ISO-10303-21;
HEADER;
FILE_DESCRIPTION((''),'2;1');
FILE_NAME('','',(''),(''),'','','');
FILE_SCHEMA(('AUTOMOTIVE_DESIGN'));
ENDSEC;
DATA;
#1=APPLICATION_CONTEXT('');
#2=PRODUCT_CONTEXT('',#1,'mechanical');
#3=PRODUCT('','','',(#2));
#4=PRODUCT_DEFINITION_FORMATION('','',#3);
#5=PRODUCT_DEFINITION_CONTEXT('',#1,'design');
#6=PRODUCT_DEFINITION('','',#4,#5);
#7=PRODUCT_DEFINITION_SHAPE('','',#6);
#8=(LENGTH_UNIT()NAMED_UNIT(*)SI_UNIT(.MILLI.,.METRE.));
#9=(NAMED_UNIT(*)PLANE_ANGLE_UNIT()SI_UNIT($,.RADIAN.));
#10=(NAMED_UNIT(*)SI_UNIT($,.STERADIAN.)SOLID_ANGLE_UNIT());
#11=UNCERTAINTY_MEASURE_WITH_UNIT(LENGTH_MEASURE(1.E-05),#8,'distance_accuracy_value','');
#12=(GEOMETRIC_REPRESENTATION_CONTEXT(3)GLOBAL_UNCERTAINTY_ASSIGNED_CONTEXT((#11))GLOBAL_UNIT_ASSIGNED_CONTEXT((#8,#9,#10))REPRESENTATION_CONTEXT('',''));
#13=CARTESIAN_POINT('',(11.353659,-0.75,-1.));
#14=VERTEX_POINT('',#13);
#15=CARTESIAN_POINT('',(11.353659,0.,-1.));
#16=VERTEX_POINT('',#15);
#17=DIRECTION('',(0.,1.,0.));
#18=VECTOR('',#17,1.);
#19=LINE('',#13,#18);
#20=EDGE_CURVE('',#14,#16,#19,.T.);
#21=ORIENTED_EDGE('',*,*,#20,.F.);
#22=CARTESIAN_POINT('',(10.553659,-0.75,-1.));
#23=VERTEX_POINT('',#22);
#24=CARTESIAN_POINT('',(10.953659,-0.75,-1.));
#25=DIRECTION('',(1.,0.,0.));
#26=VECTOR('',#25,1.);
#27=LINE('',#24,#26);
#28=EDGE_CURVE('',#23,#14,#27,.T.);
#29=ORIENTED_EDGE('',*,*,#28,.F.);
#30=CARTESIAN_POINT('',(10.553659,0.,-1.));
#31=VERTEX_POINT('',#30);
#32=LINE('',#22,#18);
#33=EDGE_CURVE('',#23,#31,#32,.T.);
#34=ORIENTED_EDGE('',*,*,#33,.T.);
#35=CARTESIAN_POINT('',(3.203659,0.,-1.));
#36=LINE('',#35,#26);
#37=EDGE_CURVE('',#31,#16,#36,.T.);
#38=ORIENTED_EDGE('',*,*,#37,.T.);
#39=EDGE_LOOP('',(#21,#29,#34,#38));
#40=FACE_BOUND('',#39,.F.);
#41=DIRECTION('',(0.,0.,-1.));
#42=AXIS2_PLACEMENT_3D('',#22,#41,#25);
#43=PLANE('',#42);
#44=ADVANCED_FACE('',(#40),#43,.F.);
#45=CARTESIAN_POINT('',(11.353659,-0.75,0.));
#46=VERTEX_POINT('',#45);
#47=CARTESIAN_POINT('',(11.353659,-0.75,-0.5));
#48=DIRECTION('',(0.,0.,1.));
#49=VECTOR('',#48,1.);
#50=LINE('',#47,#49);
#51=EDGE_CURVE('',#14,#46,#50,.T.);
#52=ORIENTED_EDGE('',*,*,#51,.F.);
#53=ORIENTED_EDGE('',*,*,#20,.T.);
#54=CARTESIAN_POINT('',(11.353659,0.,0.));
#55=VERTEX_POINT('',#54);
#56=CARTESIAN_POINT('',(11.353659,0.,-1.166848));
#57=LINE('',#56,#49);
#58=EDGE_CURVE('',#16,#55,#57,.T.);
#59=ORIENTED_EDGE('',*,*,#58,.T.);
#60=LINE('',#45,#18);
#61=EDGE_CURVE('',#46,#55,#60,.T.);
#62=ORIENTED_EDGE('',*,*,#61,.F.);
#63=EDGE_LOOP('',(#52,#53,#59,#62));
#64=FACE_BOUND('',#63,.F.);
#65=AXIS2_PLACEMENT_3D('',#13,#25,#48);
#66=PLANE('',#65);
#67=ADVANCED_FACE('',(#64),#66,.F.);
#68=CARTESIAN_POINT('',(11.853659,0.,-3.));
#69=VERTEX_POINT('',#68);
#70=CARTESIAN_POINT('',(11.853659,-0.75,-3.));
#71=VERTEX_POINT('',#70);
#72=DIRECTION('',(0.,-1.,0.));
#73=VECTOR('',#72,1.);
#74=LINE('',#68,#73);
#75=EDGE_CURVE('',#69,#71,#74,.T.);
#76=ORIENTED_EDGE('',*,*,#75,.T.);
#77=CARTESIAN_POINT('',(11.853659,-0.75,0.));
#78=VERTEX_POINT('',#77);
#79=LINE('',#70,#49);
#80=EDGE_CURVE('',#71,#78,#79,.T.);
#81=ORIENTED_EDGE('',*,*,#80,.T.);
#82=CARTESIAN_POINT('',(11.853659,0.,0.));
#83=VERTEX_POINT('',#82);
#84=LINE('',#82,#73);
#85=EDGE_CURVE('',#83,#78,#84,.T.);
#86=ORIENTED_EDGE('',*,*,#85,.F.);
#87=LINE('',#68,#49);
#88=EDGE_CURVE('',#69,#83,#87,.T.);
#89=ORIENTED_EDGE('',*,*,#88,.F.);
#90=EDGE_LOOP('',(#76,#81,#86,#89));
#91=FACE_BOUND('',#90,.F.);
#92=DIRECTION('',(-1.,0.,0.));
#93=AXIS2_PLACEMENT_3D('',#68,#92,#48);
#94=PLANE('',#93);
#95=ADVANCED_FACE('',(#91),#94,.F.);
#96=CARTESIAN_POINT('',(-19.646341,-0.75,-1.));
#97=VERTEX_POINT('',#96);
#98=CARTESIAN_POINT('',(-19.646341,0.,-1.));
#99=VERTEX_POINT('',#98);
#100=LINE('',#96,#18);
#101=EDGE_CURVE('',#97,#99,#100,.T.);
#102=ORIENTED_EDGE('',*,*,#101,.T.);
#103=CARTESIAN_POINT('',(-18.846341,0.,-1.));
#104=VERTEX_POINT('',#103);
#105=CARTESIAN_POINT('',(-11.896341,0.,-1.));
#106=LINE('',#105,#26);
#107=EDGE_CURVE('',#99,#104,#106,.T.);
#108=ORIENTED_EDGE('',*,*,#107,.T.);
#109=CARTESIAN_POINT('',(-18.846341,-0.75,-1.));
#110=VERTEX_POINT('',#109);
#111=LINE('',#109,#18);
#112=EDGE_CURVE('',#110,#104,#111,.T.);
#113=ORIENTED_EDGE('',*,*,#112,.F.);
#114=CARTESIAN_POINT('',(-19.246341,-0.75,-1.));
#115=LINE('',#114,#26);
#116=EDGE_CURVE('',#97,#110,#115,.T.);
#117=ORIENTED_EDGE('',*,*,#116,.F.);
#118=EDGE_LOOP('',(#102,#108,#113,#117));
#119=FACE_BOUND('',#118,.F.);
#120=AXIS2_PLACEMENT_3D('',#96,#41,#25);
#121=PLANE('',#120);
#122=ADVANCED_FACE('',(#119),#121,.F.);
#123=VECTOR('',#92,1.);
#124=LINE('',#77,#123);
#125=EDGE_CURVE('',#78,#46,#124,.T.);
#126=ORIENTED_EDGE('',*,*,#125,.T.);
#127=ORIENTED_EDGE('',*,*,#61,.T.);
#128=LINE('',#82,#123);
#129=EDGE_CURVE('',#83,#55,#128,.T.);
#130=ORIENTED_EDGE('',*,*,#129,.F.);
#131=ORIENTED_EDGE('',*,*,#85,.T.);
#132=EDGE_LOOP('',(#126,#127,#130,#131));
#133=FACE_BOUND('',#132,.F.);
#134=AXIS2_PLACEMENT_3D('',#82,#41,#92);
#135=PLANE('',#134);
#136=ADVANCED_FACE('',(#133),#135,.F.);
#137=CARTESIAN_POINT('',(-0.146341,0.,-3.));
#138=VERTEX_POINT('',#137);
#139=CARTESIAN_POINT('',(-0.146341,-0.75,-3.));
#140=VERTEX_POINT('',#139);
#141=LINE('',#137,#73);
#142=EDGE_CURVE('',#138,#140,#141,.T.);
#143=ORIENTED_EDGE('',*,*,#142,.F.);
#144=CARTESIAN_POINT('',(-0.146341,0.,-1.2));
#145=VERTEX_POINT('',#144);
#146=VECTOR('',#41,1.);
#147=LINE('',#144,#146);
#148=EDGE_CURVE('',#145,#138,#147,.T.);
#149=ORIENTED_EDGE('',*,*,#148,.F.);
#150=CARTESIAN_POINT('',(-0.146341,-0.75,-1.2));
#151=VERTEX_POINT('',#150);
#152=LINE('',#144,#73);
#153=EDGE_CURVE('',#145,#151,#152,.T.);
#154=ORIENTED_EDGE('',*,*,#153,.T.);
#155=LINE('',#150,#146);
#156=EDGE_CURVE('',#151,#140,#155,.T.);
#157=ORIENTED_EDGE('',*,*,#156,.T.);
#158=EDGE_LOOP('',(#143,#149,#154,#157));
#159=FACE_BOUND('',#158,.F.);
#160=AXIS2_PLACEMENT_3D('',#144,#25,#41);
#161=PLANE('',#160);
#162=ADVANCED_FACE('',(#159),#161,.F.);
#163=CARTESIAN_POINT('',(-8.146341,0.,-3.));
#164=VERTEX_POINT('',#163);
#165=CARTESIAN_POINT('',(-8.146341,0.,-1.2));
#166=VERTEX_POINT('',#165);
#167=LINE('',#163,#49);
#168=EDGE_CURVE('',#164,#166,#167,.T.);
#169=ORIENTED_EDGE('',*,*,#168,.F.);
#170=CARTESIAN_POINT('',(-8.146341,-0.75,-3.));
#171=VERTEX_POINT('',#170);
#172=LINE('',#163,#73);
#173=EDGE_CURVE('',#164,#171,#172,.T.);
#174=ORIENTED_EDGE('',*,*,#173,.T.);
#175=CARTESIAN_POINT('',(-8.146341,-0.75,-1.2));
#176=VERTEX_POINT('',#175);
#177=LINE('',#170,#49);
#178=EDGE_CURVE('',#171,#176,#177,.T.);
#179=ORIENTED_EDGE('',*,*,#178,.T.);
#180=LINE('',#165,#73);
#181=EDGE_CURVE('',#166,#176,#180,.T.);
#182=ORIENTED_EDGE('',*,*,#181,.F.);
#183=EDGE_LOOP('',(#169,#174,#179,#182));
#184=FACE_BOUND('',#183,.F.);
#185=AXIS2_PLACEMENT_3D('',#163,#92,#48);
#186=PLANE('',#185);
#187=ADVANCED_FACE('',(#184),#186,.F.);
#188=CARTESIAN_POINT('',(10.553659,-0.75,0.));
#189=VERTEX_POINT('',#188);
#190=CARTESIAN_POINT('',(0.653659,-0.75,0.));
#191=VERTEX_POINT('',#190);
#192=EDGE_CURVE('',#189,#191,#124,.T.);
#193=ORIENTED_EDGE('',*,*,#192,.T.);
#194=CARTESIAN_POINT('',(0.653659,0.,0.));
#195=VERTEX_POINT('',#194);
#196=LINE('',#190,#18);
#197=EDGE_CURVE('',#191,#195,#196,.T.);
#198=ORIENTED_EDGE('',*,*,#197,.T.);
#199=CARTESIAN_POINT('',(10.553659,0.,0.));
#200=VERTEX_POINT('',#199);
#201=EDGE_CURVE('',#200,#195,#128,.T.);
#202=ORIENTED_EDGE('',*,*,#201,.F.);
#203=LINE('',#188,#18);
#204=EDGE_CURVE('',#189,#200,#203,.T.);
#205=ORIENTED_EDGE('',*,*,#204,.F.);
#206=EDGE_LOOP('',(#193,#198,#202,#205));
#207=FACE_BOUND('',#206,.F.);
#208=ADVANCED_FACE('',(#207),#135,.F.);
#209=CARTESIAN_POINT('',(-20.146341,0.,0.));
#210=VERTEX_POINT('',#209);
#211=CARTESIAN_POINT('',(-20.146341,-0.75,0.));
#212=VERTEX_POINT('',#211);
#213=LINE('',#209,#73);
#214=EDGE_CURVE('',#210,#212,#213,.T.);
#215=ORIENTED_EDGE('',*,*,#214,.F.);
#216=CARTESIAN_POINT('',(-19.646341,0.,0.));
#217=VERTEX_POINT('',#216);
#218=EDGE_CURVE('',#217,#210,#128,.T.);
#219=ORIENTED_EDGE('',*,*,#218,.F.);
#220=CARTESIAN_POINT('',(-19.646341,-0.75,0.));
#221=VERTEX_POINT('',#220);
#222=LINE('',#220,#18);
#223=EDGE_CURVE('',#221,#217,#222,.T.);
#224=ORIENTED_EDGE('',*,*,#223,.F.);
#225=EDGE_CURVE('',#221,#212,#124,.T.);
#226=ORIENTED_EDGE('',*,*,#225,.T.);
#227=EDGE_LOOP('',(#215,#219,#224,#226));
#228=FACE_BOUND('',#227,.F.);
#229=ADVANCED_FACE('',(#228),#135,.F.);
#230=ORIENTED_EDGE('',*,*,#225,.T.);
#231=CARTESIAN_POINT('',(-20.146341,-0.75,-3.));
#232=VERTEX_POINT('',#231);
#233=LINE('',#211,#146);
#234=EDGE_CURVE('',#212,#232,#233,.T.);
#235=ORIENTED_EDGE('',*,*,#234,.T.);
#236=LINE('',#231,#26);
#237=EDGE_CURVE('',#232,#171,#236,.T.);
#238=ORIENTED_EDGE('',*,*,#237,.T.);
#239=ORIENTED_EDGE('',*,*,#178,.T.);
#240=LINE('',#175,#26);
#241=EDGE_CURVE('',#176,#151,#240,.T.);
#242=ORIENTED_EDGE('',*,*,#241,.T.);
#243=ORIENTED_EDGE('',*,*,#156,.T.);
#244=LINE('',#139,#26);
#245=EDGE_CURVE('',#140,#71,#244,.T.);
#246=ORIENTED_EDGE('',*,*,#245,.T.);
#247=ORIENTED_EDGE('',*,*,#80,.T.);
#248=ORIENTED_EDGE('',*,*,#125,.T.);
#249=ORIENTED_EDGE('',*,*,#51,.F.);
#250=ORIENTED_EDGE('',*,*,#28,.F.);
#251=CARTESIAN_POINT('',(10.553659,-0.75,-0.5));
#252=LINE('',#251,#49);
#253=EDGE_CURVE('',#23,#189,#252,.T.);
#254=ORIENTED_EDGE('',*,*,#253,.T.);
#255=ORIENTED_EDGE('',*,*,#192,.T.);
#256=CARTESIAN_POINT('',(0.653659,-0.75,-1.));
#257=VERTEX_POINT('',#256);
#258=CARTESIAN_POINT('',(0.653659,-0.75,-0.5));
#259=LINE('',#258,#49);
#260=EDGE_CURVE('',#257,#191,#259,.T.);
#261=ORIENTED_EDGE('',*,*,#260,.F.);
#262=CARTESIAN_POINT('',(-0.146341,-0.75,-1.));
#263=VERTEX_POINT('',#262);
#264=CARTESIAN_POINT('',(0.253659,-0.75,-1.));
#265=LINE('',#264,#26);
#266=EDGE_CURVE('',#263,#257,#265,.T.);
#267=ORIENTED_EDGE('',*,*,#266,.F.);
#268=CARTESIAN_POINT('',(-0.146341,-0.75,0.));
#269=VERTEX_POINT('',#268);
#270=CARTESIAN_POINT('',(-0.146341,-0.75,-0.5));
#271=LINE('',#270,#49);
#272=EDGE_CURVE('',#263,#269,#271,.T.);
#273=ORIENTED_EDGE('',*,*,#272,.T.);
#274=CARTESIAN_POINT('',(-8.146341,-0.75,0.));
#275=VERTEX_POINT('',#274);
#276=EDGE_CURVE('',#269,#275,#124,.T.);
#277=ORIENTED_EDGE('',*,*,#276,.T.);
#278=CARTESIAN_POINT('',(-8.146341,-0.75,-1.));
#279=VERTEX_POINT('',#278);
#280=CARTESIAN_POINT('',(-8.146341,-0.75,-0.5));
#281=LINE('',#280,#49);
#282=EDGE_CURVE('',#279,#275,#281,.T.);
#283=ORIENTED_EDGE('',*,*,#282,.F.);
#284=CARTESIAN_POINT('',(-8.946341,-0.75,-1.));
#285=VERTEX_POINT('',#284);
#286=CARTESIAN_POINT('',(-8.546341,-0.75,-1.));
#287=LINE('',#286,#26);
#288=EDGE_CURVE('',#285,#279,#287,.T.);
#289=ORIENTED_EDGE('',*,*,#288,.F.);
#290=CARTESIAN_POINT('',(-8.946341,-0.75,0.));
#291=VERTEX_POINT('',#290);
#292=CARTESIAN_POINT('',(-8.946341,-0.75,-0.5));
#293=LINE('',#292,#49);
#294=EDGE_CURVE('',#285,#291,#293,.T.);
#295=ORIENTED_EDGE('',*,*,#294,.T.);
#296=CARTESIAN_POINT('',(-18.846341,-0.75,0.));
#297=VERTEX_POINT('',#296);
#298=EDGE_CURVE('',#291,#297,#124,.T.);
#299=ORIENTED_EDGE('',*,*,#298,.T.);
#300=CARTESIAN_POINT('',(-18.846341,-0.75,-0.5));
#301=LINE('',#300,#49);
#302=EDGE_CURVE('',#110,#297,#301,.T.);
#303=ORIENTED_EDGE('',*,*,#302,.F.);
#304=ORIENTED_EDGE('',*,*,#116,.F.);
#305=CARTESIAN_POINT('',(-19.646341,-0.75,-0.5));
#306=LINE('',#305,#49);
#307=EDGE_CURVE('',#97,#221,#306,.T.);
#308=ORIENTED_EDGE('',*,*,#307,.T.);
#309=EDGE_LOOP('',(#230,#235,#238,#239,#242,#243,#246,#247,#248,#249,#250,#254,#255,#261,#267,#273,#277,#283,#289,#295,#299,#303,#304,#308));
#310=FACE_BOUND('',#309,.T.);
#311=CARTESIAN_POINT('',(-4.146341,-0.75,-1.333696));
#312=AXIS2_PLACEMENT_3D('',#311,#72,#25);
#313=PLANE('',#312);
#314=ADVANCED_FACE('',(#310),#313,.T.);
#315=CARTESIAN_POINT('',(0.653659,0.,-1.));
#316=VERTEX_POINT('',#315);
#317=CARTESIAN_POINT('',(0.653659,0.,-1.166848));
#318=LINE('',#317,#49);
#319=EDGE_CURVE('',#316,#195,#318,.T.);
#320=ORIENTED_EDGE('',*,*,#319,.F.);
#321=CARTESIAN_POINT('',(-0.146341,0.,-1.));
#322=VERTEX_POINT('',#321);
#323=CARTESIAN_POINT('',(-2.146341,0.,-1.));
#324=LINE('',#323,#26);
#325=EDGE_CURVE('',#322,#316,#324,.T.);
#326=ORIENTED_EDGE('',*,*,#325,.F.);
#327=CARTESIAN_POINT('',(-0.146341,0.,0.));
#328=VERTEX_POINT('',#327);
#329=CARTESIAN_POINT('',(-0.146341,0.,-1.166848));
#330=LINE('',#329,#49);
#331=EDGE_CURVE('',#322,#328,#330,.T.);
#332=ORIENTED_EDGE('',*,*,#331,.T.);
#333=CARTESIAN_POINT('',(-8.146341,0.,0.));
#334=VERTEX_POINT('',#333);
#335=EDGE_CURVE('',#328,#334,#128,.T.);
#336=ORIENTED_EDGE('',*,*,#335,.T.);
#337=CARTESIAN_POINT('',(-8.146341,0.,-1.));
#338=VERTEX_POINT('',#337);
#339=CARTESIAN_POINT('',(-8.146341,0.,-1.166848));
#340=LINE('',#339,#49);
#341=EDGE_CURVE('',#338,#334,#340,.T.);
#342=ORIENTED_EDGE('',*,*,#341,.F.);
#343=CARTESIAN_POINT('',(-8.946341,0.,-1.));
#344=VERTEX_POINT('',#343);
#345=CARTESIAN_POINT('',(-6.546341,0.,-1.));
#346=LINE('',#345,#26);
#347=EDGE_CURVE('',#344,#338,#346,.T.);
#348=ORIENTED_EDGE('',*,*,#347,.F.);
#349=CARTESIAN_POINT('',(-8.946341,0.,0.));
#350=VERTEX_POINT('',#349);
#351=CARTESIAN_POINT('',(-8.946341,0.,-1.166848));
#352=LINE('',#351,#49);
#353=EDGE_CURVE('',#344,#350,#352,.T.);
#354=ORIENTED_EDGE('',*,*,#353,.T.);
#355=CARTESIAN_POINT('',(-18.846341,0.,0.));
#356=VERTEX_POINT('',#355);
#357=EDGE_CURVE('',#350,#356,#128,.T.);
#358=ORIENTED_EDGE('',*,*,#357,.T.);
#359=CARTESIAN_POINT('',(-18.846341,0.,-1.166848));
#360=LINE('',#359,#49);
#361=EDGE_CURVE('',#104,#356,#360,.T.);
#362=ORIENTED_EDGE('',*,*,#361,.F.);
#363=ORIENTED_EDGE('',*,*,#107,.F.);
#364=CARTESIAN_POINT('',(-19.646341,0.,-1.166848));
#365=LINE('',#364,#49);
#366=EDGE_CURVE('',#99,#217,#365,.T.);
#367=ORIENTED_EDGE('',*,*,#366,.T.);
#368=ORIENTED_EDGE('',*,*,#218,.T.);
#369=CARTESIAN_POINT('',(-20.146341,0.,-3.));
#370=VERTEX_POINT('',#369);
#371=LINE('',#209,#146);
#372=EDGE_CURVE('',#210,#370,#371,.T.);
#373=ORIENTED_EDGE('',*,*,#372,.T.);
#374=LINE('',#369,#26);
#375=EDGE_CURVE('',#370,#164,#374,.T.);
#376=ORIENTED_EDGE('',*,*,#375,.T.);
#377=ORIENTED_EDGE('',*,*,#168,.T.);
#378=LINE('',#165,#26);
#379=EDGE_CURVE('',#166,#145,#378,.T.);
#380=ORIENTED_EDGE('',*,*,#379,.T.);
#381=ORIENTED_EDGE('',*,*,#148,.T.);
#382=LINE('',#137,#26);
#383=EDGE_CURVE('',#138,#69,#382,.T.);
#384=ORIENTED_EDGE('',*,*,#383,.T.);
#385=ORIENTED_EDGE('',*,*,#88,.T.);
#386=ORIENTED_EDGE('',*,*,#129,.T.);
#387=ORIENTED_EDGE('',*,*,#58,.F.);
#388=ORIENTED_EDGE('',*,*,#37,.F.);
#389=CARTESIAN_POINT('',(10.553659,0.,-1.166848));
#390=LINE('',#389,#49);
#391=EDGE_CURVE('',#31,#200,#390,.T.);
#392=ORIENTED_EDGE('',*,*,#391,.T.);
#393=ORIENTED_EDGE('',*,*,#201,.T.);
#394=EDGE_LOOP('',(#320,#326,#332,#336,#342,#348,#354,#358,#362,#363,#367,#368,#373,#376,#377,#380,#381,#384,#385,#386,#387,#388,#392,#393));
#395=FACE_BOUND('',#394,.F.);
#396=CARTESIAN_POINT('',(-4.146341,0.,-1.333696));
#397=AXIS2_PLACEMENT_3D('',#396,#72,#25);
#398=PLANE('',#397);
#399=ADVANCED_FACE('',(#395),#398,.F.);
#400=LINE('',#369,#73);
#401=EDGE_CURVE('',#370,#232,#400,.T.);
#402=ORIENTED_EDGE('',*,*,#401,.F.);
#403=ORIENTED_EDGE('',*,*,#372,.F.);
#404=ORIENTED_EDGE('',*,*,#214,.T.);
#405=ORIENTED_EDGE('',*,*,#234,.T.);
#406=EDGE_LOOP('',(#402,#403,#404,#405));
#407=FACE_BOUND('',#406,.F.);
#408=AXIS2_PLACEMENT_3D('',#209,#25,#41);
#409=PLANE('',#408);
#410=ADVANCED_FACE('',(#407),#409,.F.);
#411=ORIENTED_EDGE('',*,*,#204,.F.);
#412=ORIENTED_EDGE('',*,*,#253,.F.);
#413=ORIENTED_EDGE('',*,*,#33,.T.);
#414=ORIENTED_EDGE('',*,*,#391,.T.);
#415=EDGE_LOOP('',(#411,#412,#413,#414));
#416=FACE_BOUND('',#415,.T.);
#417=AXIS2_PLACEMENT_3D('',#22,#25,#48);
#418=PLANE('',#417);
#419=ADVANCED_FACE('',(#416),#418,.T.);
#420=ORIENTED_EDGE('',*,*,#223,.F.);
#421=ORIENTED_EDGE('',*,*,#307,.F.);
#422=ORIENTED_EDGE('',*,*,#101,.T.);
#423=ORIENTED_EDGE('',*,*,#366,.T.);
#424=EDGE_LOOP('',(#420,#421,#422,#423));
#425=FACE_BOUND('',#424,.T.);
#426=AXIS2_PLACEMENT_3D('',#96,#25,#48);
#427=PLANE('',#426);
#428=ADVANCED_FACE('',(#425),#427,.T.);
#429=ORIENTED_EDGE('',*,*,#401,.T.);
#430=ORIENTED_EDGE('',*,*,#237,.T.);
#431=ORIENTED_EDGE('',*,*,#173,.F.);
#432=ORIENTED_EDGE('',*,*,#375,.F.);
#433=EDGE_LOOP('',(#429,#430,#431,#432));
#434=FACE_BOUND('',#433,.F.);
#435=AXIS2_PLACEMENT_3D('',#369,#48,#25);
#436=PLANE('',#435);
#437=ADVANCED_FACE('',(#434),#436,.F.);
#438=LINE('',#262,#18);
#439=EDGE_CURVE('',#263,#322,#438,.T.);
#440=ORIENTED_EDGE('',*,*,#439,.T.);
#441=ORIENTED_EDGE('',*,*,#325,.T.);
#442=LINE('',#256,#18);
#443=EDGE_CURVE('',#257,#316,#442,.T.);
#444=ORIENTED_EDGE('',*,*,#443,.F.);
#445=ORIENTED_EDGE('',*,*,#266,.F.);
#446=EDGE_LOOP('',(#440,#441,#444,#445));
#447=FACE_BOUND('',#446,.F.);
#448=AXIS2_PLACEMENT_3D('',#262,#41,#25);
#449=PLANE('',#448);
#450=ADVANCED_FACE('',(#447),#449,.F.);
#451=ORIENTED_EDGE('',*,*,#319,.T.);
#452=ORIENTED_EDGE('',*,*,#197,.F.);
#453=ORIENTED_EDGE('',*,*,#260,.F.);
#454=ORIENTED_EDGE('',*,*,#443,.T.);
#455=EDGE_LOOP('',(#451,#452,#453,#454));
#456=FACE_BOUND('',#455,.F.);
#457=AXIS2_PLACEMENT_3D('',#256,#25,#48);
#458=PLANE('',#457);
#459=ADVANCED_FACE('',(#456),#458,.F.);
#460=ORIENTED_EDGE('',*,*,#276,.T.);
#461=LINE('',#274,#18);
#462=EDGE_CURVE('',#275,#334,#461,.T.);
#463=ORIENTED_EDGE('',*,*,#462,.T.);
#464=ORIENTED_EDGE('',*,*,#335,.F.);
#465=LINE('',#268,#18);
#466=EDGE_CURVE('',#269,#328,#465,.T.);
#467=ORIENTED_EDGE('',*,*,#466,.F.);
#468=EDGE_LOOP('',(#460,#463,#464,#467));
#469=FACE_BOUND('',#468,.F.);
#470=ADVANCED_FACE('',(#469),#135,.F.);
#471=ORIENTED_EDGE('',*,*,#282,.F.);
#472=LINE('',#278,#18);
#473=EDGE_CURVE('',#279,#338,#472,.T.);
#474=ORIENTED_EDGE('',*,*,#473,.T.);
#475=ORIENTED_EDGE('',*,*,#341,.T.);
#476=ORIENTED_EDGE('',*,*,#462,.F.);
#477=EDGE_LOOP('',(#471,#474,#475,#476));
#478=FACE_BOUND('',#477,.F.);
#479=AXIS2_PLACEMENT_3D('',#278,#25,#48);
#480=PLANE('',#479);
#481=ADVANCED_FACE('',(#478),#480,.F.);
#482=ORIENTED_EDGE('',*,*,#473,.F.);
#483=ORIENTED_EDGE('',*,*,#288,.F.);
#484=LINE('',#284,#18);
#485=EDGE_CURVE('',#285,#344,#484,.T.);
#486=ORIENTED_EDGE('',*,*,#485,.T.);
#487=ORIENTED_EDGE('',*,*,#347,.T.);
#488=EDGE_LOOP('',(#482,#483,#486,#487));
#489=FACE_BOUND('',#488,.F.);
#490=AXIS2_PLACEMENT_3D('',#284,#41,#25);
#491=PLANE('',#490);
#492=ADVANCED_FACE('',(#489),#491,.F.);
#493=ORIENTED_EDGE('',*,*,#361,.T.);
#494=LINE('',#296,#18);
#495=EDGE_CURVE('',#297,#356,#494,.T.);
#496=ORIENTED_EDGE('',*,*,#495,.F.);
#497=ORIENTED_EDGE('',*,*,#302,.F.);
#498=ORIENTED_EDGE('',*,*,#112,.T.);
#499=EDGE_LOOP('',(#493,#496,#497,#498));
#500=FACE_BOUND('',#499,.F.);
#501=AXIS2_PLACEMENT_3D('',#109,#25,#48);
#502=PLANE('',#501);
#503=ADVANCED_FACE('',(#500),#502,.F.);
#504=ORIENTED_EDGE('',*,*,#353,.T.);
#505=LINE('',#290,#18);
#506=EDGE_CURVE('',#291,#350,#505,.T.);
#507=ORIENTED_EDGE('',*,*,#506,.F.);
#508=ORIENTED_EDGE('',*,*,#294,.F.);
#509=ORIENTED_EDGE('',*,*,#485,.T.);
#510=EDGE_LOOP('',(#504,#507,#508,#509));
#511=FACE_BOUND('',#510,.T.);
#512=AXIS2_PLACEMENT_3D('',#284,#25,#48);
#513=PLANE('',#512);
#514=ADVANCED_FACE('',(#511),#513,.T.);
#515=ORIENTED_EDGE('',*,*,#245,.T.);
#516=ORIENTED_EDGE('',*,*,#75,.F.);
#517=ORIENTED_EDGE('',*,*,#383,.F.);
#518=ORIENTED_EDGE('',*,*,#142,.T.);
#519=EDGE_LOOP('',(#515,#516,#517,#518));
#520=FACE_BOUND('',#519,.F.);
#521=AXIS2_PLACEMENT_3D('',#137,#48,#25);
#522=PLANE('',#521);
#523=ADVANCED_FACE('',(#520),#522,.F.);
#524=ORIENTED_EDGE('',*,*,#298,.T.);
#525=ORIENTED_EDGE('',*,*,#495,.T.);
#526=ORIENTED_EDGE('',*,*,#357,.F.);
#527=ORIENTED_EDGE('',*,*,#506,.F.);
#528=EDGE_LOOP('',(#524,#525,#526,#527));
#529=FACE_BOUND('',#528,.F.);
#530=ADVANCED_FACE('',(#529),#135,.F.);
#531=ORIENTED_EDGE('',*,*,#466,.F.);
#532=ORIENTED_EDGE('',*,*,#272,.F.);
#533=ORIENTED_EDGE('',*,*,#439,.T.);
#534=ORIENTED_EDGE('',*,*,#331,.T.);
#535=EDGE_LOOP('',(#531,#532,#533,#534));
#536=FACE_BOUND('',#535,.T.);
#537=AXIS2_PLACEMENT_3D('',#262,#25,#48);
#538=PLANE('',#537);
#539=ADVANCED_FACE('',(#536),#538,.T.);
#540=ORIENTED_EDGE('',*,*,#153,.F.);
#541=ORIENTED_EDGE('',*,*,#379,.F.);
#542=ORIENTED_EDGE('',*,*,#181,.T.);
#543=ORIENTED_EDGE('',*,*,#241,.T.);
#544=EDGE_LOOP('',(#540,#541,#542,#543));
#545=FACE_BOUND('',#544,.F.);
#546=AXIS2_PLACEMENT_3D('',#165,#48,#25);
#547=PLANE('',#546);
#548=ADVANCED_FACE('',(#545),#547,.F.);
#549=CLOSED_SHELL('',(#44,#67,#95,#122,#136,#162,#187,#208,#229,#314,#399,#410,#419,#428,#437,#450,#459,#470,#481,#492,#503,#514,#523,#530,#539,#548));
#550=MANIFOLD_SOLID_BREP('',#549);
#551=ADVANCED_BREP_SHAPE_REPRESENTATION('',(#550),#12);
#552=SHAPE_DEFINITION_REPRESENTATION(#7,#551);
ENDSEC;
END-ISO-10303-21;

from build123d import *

# Parameters (mm, degrees)
F1_DEPTH = 0.75
F2_W     = 0.8
F2_H     = 1
F3_DEPTH = 0.751
F4_W     = 0.8
F4_H     = 1
F5_DEPTH = 0.751
F6_W     = 0.8
F6_H     = 1
F7_DEPTH = 0.751
F8_W     = 0.8
F8_H     = 1
F9_DEPTH = 0.751


with BuildPart() as f1:
    # F0 (on Front) → F1 (new body)
    with BuildSketch(Plane.XZ):
        Polygon((11.8536589885, 0), (-20.1463410115, 0), (-20.1463410115, -3), (-8.1463410115, -3), (-8.1463410115, -1.2), (-0.1463410115, -1.2), (-0.1463410115, -3), (11.8536589885, -3), align=None)
    extrude(amount=F1_DEPTH)

    # F2 (on face) → F3 (cut, through all)
    with BuildSketch(Plane.XZ.offset(0.75)):
        with Locations((-19.2463410115, -0.5)):
            Rectangle(F2_W, F2_H)
    extrude(amount=-F3_DEPTH, mode=Mode.SUBTRACT)

    # F4 (on face) → F5 (cut, through all)
    with BuildSketch(Plane.XZ.offset(0.75)):
        with Locations((-8.5463410115, -0.5)):
            Rectangle(F4_W, F4_H)
    extrude(amount=-F5_DEPTH, mode=Mode.SUBTRACT)

    # F6 (on face) → F7 (cut, through all)
    with BuildSketch(Plane.XZ.offset(0.75)):
        with Locations((0.2536589885, -0.5)):
            Rectangle(F6_W, F6_H)
    extrude(amount=-F7_DEPTH, mode=Mode.SUBTRACT)

    # F8 (on face) → F9 (cut, through all)
    with BuildSketch(Plane.XZ.offset(0.75)):
        with Locations((10.9536589885, -0.5)):
            Rectangle(F8_W, F8_H)
    extrude(amount=-F9_DEPTH, mode=Mode.SUBTRACT)


solid = f1.part
